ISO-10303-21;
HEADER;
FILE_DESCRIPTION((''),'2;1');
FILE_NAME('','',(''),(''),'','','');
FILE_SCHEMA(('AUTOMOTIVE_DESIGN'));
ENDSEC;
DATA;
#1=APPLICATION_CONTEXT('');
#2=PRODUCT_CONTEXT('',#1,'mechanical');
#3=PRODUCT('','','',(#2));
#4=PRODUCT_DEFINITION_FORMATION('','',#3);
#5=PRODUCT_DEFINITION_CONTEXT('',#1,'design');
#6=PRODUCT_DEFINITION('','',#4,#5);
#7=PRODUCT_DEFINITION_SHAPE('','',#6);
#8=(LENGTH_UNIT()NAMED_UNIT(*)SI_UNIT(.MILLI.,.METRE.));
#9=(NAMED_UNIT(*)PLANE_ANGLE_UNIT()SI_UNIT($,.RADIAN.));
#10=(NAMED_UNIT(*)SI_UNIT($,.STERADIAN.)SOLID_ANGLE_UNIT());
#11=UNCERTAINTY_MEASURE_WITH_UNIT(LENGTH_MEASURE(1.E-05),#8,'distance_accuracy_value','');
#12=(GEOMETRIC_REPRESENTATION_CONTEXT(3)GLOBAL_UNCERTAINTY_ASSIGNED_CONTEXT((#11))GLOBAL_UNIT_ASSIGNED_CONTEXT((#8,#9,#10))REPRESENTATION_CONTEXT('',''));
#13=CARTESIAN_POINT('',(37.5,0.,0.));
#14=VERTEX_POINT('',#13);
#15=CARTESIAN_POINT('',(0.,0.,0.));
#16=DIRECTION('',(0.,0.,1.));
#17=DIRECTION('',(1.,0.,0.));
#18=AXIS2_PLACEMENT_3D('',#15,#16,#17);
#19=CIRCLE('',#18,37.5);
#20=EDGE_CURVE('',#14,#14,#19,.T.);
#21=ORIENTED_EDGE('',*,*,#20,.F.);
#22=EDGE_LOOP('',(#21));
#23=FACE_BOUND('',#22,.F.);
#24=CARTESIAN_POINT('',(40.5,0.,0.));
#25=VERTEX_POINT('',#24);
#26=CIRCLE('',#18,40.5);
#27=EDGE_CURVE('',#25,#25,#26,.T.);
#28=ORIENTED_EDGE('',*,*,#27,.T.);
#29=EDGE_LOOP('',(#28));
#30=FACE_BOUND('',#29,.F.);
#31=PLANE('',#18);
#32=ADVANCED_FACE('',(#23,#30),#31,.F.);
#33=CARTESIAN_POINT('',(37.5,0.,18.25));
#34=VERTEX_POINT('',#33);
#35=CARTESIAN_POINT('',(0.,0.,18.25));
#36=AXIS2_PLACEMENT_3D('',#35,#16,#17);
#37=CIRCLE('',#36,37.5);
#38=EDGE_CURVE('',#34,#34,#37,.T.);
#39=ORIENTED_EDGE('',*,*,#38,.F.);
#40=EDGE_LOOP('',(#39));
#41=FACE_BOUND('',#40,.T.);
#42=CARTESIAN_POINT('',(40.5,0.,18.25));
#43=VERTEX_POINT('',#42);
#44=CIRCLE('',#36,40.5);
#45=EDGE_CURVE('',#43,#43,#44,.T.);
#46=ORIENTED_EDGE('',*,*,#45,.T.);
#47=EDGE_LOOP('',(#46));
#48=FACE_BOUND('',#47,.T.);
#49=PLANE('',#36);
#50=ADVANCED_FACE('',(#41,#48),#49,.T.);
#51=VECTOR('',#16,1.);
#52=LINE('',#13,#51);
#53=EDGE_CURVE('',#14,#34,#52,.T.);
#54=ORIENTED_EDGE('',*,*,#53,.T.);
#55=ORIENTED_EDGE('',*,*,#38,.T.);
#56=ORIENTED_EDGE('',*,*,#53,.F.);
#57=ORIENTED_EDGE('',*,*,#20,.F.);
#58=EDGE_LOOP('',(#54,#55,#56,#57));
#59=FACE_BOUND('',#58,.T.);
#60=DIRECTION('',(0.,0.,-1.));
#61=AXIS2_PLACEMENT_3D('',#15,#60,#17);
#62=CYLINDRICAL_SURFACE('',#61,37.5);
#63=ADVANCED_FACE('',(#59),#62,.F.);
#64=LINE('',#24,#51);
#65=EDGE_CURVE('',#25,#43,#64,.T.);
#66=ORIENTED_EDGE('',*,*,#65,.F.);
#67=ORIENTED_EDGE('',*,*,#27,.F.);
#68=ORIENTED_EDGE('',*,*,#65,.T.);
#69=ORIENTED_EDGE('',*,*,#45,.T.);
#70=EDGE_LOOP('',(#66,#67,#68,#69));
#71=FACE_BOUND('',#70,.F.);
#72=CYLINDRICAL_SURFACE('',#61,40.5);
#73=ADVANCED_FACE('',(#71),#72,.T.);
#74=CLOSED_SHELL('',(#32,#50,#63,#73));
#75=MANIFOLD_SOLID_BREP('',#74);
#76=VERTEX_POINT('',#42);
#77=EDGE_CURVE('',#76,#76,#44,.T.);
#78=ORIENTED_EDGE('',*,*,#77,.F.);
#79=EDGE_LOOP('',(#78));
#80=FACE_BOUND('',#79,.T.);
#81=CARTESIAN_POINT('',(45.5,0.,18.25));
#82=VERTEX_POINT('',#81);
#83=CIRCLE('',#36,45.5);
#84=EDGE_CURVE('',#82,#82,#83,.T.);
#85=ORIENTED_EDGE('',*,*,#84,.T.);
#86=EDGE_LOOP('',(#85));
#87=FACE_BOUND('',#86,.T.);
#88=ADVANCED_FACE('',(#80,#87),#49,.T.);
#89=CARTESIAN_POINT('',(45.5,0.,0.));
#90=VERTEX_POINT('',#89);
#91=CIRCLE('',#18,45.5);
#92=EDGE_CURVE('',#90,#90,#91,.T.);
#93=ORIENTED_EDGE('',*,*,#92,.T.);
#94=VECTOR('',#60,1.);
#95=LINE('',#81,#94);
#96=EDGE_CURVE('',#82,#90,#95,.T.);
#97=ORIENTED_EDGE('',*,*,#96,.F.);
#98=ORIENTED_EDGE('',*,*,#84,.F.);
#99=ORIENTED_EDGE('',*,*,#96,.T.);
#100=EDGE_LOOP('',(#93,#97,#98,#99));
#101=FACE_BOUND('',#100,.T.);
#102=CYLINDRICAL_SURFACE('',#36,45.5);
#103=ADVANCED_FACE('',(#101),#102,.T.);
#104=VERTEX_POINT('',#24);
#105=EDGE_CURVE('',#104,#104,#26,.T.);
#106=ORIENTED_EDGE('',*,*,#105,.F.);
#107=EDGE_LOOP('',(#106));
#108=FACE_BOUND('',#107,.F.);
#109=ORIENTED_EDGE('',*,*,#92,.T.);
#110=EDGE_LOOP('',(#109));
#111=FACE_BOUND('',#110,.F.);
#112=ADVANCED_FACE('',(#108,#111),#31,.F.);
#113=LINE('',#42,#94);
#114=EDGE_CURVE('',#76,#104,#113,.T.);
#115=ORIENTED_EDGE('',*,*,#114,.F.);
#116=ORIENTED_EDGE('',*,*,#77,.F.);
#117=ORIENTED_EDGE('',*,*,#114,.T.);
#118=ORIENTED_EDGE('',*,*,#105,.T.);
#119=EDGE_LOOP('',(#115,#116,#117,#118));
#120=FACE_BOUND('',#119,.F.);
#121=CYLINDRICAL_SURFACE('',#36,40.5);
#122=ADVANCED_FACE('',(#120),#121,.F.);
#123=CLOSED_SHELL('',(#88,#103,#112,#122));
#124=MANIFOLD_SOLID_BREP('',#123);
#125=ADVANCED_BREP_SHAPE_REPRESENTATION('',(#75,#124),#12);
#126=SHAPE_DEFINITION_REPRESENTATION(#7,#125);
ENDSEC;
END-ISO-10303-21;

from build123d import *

# Parameters (mm, degrees)
F0_R     = 40.5
F0_R_2   = 37.5
F1_DEPTH = 18.25
F2_R     = 45.5
F2_R_2   = 40.5
F3_DEPTH = 18.25


with BuildPart() as f1:
    # F0 (on Top) → F1 (new body)
    with BuildSketch(Plane.XY):
        Circle(F0_R)
        Circle(F0_R_2, mode=Mode.SUBTRACT)
    extrude(amount=F1_DEPTH)


with BuildPart() as f3:
    # F2 (on face) → F3 (new body, through all)
    with BuildSketch(Plane.XY.offset(18.25)):
        Circle(F2_R)
        Circle(F2_R_2, mode=Mode.SUBTRACT)
    extrude(amount=-F3_DEPTH)


solid = Compound([f1.part, f3.part])
